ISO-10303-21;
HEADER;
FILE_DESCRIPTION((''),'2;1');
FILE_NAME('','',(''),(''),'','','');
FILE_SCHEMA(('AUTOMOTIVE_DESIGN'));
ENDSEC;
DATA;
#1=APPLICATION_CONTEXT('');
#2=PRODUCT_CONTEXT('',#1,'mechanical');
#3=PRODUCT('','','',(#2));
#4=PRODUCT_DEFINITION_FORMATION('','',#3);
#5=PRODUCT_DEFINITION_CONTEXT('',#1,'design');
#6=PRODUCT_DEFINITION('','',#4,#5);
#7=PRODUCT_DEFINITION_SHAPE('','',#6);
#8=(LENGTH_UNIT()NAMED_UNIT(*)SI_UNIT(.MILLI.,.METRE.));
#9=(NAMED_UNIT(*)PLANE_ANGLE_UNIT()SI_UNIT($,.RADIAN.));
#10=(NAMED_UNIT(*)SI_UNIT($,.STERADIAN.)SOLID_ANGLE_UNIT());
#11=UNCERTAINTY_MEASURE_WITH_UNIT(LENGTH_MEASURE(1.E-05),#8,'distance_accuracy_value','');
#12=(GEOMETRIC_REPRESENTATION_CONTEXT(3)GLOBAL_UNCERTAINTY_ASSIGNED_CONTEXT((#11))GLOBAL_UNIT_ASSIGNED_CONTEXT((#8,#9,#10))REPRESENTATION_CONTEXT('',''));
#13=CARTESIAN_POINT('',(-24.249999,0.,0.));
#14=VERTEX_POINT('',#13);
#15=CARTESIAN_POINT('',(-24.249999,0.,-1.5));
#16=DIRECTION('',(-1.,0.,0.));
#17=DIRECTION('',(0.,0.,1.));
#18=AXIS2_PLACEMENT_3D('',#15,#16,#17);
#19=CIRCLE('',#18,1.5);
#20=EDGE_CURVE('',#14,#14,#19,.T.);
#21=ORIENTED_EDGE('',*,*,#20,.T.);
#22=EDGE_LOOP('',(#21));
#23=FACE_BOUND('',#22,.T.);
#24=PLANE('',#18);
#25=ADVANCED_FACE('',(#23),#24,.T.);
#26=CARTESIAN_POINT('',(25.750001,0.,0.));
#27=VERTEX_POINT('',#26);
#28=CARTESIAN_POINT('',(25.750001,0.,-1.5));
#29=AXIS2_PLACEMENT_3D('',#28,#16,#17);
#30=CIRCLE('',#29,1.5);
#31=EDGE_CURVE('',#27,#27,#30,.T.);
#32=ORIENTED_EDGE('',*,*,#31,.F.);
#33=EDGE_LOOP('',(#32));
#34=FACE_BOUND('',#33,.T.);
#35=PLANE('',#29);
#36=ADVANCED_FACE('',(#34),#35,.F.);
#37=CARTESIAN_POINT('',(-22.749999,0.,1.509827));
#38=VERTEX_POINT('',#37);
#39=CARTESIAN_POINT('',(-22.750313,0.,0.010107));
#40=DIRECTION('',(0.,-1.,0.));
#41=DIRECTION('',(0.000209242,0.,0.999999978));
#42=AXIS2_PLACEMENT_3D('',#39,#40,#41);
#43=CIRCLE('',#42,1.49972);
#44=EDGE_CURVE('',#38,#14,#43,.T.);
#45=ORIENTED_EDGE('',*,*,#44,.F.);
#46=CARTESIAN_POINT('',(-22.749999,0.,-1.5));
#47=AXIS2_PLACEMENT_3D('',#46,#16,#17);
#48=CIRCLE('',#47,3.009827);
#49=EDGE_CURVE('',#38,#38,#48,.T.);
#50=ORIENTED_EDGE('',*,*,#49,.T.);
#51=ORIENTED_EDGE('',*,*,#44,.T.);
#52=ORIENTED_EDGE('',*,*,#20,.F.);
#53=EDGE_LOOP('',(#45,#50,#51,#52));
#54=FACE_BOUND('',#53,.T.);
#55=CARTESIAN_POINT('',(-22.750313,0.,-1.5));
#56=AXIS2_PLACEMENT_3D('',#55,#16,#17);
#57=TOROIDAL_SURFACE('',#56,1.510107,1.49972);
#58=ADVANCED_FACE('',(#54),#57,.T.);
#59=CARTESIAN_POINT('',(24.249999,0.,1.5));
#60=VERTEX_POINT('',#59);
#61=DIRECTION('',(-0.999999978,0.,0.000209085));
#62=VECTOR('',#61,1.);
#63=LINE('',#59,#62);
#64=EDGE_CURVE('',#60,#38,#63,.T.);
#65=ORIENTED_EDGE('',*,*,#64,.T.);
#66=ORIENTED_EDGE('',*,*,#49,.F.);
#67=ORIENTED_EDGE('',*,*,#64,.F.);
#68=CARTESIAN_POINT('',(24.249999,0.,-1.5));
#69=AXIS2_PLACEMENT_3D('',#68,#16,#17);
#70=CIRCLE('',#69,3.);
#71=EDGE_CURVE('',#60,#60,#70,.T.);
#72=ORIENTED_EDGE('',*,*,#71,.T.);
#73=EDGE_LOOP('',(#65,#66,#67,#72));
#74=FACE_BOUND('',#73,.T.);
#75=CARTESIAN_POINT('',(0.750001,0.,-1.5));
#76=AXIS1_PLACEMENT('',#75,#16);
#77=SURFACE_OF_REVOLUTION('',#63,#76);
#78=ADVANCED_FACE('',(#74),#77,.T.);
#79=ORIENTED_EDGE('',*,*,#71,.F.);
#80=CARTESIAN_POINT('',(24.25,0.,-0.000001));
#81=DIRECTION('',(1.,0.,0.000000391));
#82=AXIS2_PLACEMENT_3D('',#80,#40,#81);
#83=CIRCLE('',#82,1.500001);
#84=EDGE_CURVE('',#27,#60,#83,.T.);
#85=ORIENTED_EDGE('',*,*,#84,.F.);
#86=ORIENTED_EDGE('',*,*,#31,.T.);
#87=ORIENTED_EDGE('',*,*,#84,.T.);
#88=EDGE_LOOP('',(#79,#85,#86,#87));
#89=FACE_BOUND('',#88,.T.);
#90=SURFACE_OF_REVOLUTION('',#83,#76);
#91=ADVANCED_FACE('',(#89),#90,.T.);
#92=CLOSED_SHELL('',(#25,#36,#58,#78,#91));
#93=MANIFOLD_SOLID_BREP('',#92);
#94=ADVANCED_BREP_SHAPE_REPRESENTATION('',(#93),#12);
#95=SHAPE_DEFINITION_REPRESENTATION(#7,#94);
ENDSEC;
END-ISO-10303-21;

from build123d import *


with BuildPart() as f1:
    # F0 (on Front) → F1 (revolve)
    with BuildSketch(Plane.XZ):
        with BuildLine():
            Line((-24.249999, -1.5), (25.750001, -1.5))
            Line((25.750001, -1.5), (25.750001, 0))
            ThreePointArc((25.750001, 0), (25.31066, 1.060661), (24.249999, 1.5))
            Line((24.249999, 1.5), (-22.749999, 1.509827))
            ThreePointArc((-22.749999, 1.509827), (-23.814232, 1.067101), (-24.249999, 0))
            Line((-24.249999, 0), (-24.249999, -1.5))
        make_face()
    revolve(axis=Axis((0.750001, 0, -1.5), (-1, 0, 0)))


solid = f1.part
